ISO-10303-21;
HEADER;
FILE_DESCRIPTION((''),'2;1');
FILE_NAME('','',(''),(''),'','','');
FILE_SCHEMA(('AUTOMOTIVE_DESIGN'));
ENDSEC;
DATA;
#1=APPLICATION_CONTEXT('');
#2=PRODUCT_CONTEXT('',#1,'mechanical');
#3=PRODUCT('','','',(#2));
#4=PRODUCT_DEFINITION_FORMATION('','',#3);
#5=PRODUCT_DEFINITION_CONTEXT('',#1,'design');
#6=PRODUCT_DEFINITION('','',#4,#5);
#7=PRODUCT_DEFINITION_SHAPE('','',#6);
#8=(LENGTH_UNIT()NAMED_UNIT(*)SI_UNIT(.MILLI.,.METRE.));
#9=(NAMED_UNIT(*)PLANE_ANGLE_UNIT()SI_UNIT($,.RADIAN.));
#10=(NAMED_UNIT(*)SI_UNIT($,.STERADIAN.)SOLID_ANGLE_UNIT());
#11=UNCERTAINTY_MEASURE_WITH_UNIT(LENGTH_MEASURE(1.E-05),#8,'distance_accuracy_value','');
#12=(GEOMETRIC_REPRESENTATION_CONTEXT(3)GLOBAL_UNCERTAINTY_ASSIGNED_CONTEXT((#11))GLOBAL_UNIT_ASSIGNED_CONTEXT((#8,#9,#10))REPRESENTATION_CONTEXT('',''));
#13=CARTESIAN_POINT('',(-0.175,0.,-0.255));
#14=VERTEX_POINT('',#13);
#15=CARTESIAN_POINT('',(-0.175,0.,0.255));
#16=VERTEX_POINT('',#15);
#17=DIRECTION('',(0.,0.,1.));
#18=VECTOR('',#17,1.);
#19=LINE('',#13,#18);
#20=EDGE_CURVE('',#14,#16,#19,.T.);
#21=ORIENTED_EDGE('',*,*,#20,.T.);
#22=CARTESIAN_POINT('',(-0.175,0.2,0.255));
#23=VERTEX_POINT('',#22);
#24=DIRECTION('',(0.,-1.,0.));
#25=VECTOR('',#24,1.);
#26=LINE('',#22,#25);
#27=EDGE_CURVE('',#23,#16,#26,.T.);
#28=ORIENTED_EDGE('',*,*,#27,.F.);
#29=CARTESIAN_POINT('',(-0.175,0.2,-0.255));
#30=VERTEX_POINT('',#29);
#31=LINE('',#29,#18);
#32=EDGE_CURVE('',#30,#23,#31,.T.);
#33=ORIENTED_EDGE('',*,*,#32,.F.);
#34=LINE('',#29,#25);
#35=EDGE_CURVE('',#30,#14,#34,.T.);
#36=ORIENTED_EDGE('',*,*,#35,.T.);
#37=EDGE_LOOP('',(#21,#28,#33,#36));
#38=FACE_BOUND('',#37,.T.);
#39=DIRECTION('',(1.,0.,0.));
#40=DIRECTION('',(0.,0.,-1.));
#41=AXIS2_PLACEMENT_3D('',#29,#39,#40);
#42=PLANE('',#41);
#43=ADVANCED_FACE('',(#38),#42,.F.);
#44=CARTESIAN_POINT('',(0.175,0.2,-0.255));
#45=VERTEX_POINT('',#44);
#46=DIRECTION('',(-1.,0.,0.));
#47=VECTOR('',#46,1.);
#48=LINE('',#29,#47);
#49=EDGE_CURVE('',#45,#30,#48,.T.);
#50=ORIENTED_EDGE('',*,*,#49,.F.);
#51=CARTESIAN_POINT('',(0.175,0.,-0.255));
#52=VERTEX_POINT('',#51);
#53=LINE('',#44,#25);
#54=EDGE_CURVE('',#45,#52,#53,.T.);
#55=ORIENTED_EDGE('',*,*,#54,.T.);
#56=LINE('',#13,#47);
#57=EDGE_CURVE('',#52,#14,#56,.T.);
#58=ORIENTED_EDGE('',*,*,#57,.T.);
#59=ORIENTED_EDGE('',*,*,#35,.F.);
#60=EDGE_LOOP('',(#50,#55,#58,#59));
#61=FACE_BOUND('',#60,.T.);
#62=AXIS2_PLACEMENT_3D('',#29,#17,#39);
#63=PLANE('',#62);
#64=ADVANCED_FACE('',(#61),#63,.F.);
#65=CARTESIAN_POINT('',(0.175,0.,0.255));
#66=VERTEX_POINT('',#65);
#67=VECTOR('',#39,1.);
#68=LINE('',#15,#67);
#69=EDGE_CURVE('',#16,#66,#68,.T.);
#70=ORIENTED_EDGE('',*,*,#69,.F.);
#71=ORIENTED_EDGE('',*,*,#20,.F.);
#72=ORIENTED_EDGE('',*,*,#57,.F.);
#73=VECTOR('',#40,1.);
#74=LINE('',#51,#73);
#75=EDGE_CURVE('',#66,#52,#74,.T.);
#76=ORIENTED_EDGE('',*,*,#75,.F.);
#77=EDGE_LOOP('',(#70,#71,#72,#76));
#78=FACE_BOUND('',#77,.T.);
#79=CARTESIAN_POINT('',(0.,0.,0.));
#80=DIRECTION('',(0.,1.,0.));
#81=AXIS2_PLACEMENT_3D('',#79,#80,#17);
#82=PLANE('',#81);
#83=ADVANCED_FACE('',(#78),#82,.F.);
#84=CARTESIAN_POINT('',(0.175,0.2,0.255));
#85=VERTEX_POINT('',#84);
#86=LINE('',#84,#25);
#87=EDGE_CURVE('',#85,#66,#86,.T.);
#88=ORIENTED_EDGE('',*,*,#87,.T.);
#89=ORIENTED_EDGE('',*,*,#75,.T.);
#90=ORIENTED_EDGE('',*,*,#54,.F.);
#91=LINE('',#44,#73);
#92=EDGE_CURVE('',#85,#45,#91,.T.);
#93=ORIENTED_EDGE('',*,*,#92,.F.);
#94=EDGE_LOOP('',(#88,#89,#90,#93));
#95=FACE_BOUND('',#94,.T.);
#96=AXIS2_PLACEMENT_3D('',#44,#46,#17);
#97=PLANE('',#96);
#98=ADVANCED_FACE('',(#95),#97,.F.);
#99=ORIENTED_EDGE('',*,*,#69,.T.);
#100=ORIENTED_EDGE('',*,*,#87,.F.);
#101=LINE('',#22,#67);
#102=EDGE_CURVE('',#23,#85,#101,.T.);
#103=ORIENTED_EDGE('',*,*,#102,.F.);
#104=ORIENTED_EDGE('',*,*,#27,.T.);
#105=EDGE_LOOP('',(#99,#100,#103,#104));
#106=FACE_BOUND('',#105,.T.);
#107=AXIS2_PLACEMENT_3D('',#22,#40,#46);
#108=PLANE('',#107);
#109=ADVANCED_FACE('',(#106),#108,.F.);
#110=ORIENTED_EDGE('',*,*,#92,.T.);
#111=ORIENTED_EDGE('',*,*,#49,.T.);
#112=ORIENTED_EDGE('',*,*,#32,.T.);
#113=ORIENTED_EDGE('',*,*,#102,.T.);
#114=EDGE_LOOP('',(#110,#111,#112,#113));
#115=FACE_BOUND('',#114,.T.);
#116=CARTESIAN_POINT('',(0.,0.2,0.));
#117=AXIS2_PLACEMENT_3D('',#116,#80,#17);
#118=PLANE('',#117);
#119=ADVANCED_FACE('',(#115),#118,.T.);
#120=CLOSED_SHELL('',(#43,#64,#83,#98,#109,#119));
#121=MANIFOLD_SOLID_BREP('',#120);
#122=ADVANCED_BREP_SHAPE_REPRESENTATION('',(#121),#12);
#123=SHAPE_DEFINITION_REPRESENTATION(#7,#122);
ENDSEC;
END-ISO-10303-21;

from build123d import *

# Parameters (mm, degrees)
SKETCH1_W           = 0.35
SKETCH1_H           = 0.51
BOSS_EXTRUDE1_DEPTH = 0.2


with BuildPart() as part:
    # Sketch1 → Boss-Extrude1 (new body)
    with BuildSketch(Plane(origin=(0, 0, 0), x_dir=(1, 0, 0), z_dir=(0, 1, 0))):
        Rectangle(SKETCH1_W, SKETCH1_H)
    extrude(amount=BOSS_EXTRUDE1_DEPTH)


solid = part.part
